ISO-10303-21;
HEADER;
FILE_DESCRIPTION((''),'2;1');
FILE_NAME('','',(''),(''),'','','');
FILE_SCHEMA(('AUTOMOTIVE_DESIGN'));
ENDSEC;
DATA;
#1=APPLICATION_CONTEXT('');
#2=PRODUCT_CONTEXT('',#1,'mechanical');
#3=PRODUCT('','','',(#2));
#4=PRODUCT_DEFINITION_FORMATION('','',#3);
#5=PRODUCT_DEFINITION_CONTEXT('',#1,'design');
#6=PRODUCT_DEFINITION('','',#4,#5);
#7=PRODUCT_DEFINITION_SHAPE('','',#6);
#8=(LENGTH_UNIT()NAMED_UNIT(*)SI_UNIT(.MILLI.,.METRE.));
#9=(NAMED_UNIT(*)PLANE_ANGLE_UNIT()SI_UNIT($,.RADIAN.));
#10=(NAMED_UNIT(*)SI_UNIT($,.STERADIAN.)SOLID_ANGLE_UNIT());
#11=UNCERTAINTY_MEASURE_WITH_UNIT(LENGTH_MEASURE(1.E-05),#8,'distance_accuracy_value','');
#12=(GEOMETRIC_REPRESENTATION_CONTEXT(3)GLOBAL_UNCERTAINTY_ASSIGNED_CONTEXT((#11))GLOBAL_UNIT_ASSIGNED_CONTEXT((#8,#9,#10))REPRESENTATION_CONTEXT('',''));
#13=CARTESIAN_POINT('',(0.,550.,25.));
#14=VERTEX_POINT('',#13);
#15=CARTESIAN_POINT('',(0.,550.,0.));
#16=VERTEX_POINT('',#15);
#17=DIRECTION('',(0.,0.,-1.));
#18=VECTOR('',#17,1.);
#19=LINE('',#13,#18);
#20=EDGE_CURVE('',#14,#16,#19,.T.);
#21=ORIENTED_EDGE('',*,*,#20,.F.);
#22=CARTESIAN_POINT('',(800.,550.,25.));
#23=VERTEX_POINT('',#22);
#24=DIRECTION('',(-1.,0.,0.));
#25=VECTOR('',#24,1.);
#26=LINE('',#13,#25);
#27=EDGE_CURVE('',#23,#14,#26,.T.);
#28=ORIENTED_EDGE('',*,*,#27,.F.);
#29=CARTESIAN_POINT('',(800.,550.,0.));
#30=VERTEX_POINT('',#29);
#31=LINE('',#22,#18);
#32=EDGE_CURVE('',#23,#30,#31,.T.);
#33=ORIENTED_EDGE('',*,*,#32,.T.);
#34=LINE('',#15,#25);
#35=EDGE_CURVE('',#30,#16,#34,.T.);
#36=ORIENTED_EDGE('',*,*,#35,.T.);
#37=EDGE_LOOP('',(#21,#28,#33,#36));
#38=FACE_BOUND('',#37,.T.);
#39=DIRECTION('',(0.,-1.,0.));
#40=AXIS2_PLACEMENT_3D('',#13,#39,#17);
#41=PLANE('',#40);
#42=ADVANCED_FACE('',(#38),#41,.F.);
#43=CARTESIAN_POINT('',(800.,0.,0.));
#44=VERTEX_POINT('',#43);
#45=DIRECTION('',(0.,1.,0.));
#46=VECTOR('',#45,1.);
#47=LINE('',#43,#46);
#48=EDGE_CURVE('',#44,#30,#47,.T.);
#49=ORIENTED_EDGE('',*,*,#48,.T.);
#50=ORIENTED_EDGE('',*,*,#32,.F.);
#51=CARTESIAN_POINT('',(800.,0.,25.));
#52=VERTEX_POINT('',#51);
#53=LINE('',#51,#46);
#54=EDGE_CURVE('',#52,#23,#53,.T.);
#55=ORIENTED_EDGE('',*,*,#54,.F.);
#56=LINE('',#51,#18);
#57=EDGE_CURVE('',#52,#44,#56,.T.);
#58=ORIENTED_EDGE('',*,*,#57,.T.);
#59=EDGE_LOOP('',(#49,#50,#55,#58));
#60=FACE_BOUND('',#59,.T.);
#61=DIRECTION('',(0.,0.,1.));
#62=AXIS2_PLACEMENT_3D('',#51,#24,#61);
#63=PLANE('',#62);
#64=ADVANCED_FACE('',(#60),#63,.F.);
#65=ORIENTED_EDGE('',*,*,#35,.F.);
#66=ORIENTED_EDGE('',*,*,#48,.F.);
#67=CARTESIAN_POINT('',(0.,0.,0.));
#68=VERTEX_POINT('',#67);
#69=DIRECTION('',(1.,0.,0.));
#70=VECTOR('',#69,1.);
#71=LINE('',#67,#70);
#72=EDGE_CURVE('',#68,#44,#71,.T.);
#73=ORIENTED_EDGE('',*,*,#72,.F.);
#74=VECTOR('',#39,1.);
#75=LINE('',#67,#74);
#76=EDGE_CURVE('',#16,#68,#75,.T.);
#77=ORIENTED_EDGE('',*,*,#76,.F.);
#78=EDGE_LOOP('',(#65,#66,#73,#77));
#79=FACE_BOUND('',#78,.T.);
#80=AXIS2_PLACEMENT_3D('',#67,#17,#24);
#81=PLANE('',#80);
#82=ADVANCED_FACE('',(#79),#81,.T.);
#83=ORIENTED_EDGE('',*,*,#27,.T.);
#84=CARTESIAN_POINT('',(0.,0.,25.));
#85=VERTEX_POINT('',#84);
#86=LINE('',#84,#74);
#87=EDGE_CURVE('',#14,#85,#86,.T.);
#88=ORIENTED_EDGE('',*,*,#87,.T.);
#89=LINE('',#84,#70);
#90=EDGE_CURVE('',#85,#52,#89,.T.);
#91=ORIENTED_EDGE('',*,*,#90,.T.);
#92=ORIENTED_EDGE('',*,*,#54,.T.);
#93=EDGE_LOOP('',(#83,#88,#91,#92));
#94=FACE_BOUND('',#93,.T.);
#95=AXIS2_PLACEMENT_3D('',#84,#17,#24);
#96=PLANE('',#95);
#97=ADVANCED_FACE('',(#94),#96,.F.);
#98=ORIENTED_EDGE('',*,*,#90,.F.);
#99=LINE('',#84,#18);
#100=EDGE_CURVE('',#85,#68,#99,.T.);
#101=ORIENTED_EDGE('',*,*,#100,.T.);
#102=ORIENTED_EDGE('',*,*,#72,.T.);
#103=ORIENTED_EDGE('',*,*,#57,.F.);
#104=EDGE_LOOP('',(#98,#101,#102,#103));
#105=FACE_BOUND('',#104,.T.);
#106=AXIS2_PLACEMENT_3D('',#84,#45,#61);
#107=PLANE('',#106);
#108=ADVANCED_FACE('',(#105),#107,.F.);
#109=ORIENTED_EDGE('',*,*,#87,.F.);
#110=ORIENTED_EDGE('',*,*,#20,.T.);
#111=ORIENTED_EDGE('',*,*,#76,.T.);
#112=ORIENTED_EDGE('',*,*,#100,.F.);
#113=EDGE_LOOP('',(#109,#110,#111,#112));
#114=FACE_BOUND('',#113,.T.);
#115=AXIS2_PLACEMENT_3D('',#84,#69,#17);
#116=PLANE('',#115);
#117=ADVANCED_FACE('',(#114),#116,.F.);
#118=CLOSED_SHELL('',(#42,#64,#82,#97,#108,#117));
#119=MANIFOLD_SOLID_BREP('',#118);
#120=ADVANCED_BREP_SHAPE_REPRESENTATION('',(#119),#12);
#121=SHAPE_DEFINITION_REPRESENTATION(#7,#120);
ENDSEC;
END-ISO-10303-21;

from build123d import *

# Parameters (mm, degrees)
SKETCH1_W           = 800
SKETCH1_H           = 550
BOSS_EXTRUDE1_DEPTH = 25


with BuildPart() as part:
    # Sketch1 → Boss-Extrude1 (new body)
    with BuildSketch(Plane.XY):
        with Locations((400, 275)):
            Rectangle(SKETCH1_W, SKETCH1_H)
    extrude(amount=BOSS_EXTRUDE1_DEPTH)


solid = part.part
